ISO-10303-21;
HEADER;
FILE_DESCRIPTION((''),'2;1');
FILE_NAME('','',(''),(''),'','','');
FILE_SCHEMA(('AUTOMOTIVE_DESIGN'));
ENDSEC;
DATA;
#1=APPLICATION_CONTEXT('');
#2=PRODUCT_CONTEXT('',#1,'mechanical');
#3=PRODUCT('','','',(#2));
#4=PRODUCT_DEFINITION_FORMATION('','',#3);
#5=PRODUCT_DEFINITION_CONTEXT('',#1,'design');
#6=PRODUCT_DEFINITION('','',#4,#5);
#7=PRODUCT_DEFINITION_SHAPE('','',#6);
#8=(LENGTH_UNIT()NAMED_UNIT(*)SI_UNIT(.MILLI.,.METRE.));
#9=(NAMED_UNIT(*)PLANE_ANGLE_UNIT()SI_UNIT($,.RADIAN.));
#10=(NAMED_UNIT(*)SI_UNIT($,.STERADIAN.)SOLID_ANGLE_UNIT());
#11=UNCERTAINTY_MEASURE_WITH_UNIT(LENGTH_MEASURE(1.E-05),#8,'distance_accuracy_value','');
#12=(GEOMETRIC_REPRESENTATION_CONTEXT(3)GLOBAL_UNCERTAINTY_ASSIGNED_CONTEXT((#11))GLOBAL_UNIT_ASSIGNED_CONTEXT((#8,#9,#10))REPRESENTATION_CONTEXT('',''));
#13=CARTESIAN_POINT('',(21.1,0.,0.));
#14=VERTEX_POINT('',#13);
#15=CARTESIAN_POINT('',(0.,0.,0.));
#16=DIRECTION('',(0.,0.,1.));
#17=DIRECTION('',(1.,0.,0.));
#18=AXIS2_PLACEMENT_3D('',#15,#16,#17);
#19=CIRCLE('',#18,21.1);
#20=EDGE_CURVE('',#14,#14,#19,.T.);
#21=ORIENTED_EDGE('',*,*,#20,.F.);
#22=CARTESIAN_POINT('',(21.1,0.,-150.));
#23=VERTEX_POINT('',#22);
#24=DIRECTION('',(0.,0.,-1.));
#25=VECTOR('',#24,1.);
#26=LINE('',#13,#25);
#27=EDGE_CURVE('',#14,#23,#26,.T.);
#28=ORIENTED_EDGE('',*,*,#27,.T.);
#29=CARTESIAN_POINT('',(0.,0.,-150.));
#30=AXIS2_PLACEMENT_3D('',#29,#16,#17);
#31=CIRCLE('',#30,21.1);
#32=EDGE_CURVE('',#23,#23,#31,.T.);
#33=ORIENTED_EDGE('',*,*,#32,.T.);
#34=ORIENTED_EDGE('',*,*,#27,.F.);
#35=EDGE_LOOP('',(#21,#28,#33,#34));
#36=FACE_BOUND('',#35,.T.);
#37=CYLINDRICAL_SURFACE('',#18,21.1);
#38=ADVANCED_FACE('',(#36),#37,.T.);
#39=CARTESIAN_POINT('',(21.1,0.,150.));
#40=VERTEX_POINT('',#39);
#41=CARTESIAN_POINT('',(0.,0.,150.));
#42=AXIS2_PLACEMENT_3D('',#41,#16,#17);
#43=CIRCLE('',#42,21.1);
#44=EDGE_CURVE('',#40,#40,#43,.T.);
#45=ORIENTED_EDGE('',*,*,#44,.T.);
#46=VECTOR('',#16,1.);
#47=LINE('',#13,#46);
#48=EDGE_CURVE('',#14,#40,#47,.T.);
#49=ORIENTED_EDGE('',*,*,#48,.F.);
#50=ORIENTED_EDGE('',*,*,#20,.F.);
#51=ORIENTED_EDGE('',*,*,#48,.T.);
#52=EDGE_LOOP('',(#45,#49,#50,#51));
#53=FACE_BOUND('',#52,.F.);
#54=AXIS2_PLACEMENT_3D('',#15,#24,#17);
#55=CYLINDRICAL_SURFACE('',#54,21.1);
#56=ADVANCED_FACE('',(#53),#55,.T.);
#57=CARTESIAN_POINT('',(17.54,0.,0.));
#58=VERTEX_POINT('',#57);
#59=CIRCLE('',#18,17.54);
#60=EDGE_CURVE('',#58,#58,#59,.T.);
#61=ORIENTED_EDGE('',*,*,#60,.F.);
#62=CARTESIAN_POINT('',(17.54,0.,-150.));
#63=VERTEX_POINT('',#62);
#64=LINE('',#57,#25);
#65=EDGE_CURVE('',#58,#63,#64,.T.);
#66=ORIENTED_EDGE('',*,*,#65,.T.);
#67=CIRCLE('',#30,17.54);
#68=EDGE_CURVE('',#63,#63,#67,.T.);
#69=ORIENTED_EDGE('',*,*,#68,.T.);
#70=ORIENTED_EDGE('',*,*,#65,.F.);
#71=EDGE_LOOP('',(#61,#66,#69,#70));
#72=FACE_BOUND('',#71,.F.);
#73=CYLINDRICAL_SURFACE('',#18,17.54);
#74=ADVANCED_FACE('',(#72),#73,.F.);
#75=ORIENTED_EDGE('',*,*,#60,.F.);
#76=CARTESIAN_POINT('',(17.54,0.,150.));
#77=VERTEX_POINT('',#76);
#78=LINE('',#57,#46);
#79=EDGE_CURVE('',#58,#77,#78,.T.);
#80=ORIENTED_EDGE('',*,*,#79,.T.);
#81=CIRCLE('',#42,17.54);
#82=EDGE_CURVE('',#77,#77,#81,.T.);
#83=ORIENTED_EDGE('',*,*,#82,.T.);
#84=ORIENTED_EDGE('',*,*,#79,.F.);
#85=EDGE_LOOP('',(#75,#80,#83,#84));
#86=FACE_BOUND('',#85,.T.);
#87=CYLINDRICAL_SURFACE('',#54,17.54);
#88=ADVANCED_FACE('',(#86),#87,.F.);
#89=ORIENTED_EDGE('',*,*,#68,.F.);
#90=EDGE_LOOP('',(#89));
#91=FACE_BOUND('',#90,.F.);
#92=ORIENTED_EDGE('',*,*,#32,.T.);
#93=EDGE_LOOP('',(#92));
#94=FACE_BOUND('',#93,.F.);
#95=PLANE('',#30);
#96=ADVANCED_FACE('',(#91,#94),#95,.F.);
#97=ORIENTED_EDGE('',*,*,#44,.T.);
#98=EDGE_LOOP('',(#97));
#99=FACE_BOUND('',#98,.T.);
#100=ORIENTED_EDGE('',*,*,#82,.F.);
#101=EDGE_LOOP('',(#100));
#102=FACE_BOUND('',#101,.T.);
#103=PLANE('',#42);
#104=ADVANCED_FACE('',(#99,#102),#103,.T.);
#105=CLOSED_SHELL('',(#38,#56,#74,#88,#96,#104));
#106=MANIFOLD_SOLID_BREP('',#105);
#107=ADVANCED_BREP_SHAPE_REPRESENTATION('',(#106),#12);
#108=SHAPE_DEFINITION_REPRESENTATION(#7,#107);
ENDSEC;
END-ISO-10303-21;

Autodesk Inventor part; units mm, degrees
ref_plane "YZ Plane" through (0, 0, 0) normal (1, 0, 0) x (0, 1, 0)
ref_plane "XZ Plane" through (0, 0, 0) normal (0, 1, 0) x (-1, 0, 0)
ref_plane "XY Plane" through (0, 0, 0) normal (0, 0, 1) x (1, 0, 0)
sketch "Sketch1" plane through (0, 0, 0) normal (0, 0, 1) x (1, 0, 0)
  circle A0 centre (0, 0) radius 21.1
  circle A1 centre (0, 0) radius 17.54
  dimension "OD" = 42.2
  dimension "t" = 3.56
extrude "Extrusion1" add sketch "Sketch1" along normal mid plane 300
equation "\"size\" = 7"
properties part number "CSP" material "Aluminium 6082 T6"
